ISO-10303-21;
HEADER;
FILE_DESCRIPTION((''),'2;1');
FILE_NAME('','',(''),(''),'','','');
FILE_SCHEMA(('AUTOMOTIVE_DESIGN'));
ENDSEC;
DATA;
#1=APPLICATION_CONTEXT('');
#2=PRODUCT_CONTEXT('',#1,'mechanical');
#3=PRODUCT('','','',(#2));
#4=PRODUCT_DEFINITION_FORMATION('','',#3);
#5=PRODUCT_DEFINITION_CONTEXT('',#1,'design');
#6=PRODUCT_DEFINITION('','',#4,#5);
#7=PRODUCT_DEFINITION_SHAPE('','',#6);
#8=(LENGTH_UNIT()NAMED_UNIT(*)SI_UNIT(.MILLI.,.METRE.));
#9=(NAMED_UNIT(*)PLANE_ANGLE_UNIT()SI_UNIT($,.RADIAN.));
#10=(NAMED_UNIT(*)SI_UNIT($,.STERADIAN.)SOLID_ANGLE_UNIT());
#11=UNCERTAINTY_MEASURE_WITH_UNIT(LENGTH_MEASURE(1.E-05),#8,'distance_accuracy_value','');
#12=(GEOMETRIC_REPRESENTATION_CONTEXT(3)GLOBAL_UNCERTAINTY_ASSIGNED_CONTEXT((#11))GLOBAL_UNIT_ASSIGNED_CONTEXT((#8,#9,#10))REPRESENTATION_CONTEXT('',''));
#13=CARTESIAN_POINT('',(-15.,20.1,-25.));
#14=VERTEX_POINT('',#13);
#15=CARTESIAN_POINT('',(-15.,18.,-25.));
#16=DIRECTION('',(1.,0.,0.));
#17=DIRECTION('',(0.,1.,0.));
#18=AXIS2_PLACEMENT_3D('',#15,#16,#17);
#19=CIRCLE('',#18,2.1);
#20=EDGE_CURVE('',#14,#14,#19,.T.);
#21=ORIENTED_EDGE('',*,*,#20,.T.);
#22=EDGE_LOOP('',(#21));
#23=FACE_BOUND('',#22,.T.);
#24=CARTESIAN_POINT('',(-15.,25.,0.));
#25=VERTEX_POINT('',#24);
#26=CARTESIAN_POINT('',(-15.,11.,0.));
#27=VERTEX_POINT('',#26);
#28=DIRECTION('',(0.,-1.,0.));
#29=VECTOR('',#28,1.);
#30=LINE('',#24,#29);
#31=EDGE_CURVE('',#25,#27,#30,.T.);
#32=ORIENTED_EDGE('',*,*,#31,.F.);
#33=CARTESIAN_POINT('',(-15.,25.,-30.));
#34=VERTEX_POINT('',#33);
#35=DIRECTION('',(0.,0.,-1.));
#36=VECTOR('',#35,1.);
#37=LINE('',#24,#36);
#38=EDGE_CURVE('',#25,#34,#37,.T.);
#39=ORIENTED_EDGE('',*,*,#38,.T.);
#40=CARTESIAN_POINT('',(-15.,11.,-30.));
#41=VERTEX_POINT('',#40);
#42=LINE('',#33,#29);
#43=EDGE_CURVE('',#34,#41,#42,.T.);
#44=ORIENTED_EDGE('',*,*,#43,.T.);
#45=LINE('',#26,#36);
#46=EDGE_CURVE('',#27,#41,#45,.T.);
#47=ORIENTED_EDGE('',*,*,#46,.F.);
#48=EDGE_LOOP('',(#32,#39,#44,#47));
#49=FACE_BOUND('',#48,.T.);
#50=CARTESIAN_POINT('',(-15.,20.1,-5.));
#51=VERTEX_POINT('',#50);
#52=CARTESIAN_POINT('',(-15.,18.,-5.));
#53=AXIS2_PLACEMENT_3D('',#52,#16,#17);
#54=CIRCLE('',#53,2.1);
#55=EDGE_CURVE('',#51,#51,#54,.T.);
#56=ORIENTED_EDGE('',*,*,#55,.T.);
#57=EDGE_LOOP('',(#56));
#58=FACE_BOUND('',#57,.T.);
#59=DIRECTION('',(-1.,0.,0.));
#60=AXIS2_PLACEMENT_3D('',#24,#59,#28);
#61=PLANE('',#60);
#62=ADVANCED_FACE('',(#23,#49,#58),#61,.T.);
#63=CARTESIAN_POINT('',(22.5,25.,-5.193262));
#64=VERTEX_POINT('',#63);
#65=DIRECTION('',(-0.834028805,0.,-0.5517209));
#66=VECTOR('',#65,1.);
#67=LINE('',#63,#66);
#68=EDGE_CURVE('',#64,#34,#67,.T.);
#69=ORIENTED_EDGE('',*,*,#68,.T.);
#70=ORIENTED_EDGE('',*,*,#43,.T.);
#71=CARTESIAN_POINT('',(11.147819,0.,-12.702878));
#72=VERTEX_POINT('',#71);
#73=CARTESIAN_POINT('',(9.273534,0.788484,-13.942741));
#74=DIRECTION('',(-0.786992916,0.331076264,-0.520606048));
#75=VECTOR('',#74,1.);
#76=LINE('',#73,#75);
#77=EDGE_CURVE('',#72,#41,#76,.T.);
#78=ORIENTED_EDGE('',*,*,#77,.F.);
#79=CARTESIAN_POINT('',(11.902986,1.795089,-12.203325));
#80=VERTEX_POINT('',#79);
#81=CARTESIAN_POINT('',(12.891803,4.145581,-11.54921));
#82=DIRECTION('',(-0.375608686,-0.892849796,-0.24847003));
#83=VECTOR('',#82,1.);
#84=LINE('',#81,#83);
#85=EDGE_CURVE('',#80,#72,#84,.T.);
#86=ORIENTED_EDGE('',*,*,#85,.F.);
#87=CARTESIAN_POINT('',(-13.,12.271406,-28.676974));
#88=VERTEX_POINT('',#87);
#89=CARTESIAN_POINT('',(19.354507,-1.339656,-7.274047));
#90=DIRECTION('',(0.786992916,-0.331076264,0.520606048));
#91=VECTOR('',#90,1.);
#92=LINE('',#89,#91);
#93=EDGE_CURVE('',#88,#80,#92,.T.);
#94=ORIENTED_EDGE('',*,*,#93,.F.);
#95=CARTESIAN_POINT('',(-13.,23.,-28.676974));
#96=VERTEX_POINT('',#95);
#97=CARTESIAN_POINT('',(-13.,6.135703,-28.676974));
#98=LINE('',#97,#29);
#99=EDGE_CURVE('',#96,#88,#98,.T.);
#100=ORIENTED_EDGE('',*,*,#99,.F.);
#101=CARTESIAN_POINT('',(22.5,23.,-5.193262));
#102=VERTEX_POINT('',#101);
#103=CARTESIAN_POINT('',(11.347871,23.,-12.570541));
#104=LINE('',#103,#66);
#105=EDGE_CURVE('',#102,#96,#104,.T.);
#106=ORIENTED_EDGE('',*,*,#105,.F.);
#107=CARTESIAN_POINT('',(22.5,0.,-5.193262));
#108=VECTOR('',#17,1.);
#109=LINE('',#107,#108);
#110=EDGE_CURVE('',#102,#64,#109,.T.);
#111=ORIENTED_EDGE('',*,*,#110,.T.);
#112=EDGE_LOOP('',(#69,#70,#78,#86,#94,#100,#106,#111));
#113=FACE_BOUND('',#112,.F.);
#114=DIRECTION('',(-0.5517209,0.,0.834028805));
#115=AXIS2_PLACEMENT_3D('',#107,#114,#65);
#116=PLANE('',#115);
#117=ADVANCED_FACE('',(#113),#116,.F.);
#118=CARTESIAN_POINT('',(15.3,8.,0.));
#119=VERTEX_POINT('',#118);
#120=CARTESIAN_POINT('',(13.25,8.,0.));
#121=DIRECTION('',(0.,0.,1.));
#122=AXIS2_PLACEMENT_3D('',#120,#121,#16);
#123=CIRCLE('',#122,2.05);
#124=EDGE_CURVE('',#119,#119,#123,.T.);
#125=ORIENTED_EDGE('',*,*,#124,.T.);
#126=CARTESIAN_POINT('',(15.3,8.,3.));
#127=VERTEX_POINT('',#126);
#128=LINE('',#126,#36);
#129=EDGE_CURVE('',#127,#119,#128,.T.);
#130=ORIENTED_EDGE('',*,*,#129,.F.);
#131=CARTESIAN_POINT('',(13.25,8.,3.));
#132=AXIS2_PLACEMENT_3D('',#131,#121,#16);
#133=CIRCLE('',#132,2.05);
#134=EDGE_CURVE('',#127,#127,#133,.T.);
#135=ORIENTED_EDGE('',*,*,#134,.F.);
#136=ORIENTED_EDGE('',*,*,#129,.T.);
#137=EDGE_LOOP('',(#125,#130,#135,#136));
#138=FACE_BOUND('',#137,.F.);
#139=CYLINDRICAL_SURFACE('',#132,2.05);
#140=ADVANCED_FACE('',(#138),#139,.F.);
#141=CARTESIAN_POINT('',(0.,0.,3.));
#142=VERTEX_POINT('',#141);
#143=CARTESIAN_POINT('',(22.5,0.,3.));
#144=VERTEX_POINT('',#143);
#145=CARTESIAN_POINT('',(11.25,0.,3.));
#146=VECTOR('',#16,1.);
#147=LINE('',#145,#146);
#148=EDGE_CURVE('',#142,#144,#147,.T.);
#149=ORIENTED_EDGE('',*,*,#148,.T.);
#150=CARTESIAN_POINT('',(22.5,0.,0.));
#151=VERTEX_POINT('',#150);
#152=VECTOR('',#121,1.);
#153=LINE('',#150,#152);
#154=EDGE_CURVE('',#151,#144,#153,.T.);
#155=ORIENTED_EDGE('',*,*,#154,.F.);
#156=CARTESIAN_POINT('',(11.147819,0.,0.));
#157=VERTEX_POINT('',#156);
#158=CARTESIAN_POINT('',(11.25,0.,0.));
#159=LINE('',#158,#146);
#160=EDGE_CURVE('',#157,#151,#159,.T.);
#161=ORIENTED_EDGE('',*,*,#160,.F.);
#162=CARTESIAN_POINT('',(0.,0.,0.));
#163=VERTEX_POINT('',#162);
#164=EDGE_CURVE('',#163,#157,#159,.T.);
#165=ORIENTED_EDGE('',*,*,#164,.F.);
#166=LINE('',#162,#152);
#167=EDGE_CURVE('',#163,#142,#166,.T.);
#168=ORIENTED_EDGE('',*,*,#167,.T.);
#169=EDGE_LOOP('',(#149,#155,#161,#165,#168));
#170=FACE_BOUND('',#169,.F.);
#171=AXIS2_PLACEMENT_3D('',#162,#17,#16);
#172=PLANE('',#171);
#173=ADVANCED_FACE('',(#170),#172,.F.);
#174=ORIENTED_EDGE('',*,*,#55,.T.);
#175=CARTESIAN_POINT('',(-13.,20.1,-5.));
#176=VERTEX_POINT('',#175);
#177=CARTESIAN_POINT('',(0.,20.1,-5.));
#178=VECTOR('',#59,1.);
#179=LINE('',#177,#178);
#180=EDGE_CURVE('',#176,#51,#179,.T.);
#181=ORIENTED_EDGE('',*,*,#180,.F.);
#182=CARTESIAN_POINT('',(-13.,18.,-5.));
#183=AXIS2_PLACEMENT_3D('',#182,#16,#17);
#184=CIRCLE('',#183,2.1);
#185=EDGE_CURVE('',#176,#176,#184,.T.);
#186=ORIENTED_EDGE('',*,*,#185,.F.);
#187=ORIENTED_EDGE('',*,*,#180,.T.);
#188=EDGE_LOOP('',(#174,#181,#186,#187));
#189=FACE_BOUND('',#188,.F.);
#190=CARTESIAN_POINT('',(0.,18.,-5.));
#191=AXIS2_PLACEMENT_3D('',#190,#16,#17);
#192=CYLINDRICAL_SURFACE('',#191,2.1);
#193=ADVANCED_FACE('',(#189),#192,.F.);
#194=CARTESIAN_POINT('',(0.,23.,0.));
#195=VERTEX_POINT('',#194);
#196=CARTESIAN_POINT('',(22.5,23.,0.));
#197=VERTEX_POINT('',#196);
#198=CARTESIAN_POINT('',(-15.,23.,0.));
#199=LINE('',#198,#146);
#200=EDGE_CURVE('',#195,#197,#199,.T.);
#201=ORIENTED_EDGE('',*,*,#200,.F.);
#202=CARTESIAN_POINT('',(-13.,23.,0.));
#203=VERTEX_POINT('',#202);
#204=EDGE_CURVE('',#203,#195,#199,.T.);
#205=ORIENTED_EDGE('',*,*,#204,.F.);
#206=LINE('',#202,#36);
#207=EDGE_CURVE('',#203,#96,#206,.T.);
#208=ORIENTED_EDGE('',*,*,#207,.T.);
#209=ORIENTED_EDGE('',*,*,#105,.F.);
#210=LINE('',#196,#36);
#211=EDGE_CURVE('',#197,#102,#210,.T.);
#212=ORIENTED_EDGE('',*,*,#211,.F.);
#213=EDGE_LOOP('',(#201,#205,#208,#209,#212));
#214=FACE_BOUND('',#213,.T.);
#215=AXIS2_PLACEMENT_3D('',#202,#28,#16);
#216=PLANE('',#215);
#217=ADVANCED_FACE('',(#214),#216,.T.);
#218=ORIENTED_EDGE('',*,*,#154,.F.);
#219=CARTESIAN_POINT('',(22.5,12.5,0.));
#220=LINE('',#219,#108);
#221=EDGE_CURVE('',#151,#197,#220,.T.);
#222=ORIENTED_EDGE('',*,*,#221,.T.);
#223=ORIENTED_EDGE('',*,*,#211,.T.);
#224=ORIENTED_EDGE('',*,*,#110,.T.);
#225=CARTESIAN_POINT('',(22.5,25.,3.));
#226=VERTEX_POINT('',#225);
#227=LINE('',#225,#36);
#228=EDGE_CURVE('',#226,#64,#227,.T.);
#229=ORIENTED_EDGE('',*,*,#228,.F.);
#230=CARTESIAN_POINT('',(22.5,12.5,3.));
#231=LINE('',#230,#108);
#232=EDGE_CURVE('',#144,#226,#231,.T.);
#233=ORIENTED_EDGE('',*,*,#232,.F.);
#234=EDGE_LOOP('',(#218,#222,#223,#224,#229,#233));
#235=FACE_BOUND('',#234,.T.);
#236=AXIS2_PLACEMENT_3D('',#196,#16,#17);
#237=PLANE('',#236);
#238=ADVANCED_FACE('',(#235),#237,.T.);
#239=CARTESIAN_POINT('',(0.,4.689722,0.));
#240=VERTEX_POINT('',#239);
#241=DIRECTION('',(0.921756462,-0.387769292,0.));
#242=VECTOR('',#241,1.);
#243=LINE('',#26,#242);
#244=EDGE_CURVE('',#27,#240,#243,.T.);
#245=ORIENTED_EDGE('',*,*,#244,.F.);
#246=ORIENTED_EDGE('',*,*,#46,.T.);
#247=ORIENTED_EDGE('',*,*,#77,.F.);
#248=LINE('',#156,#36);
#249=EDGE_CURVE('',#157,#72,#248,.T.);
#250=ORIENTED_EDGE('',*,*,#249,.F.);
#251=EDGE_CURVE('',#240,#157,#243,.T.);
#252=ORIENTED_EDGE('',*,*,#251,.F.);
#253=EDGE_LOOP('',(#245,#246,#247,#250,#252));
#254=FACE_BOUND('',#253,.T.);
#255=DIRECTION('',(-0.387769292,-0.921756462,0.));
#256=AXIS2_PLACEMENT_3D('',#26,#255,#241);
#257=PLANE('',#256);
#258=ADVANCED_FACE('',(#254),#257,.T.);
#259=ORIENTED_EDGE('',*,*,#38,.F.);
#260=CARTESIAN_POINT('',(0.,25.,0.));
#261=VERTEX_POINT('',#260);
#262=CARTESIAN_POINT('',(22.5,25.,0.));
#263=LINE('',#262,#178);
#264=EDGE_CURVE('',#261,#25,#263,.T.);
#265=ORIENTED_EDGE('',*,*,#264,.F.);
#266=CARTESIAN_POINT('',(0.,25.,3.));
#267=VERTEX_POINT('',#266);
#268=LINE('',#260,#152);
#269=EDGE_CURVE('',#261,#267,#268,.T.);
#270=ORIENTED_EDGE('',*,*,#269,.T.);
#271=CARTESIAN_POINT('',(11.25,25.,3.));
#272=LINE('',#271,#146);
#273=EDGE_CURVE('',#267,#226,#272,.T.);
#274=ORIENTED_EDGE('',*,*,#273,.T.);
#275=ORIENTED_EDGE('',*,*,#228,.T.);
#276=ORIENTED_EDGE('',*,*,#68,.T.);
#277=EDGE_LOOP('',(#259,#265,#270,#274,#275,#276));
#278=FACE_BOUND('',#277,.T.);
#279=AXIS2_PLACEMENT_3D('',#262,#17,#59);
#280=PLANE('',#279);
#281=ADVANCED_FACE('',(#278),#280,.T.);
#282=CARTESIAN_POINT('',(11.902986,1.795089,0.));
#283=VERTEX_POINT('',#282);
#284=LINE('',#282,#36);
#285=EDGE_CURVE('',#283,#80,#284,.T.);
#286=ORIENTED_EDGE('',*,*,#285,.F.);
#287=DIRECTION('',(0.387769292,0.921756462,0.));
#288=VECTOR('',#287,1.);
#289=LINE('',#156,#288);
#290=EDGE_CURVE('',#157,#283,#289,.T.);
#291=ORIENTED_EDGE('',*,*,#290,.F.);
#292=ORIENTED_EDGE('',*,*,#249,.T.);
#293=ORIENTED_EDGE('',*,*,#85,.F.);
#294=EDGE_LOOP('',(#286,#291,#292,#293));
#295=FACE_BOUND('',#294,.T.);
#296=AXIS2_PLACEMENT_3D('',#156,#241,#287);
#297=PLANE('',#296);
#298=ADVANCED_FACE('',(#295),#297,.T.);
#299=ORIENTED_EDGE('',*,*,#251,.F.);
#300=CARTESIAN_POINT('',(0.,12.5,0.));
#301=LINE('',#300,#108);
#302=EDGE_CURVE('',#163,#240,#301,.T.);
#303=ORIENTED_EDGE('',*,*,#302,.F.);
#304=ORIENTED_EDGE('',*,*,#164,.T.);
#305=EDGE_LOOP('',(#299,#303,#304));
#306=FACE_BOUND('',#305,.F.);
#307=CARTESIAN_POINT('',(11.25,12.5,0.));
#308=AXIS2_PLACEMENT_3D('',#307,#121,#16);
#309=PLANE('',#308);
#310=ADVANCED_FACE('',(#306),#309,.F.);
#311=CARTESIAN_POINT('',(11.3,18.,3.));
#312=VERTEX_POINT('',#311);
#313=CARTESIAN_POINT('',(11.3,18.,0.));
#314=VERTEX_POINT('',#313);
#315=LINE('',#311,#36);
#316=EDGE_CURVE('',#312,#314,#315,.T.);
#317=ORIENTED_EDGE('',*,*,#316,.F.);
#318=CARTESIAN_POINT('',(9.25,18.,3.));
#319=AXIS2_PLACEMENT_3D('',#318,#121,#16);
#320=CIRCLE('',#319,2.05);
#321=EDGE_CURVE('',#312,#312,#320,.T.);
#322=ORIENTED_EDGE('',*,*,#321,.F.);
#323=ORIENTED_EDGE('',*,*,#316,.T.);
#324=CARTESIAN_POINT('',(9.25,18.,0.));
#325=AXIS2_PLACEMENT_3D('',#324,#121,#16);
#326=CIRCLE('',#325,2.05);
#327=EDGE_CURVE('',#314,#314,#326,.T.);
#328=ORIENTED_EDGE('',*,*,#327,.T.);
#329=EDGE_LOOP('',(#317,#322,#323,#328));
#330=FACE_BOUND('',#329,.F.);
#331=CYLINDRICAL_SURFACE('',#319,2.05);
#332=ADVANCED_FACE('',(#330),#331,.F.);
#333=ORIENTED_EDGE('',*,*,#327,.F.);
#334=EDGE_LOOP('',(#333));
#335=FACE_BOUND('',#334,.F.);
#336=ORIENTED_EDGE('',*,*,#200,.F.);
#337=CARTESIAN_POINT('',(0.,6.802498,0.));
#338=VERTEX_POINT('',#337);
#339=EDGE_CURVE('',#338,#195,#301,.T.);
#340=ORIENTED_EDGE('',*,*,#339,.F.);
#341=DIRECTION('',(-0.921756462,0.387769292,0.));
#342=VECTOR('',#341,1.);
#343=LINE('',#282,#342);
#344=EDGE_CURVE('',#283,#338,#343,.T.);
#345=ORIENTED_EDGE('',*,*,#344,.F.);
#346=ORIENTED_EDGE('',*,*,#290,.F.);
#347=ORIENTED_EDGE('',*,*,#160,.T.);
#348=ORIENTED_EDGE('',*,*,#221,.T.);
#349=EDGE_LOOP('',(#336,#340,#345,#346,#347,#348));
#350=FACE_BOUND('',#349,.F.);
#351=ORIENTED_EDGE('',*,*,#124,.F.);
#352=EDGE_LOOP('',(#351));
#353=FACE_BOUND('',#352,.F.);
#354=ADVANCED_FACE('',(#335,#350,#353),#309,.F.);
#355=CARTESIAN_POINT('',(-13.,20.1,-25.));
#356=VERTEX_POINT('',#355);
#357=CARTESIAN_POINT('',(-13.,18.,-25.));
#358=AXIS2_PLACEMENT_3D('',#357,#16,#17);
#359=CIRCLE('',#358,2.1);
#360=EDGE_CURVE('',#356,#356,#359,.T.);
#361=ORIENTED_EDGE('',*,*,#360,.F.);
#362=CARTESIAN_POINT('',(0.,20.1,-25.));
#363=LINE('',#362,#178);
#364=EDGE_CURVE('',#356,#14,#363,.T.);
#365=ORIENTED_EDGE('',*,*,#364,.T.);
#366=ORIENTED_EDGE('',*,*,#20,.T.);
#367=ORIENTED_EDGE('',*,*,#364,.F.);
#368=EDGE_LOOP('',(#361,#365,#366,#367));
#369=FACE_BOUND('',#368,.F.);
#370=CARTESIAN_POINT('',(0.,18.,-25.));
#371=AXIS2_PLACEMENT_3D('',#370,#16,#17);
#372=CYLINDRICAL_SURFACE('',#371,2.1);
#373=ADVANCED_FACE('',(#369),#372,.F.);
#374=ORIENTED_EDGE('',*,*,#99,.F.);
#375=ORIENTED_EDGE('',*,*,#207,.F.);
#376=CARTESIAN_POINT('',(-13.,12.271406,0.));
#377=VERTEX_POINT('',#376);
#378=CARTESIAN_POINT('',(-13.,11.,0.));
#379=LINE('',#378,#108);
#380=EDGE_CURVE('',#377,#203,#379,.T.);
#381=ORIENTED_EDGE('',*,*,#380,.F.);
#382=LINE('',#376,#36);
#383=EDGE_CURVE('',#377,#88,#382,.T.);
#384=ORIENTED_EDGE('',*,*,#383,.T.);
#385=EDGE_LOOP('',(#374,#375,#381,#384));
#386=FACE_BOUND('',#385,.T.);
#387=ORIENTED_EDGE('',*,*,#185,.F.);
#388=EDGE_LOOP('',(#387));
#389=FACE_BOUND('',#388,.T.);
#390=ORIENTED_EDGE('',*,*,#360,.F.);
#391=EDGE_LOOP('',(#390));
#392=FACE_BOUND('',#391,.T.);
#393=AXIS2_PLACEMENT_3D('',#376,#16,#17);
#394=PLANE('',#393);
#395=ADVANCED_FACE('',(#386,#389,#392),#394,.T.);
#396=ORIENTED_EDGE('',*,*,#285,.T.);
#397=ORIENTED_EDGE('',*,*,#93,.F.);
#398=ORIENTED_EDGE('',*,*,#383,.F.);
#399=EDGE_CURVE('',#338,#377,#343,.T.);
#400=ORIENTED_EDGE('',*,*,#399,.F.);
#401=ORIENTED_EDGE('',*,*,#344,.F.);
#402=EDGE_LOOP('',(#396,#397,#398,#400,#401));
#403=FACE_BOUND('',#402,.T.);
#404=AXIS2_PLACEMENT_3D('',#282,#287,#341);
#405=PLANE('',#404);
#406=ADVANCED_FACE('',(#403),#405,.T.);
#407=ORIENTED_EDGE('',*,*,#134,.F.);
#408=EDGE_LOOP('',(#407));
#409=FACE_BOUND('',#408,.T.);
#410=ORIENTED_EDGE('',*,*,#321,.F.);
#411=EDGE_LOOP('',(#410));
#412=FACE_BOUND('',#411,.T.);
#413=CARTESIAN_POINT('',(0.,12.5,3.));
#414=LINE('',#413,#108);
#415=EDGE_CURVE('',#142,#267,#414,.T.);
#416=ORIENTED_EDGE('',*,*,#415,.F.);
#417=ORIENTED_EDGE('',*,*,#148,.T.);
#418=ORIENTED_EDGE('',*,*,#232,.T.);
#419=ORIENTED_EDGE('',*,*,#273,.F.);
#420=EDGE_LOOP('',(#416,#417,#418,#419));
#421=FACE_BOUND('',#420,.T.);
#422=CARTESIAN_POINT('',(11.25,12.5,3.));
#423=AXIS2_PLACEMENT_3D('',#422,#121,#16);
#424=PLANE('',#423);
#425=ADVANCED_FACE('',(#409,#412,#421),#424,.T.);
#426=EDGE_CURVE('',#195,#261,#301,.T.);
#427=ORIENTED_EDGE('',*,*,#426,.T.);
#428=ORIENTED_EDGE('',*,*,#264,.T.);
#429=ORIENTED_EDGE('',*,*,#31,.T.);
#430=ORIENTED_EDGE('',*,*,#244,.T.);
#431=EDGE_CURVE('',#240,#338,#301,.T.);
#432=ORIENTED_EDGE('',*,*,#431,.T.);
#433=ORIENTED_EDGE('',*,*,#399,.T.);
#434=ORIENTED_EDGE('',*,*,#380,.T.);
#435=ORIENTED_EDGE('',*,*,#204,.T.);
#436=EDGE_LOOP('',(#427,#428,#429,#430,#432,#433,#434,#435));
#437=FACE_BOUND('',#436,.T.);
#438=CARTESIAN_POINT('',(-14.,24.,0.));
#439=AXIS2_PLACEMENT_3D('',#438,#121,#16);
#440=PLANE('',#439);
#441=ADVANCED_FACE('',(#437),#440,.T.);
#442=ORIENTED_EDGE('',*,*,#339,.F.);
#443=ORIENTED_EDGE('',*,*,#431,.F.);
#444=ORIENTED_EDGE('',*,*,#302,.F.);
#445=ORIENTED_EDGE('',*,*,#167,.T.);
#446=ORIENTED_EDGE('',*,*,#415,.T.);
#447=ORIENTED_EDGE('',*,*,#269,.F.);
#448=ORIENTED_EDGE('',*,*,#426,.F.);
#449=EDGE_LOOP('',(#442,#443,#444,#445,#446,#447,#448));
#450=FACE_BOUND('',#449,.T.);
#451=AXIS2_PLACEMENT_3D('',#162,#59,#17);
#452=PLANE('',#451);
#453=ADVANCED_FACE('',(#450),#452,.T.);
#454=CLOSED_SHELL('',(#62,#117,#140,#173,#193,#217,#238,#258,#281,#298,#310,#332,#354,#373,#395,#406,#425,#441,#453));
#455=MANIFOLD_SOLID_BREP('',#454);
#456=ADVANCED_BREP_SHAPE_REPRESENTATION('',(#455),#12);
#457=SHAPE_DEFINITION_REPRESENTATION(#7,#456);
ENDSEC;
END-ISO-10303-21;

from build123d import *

# Parameters (mm, degrees)
F0_W     = 22.5
F0_H     = 25
F1_DEPTH = 3
F2_R     = 2.05
F3_DEPTH = 25
F4_W     = 2
F4_H     = 2
F4_W_2   = 35.5
F5_DEPTH = 30
F7_DEPTH = 25
F8_R     = 2.1
F9_DEPTH = 25


with BuildPart() as f1:
    # F0 (on Top) → F1 (new body)
    with BuildSketch(Plane.XY):
        with Locations((11.25, 12.5)):
            Rectangle(F0_W, F0_H)
    extrude(amount=F1_DEPTH)

    # F2 (on face) → F3 (cut)
    with BuildSketch(Plane.XY.offset(3)):
        with Locations((9.25, 18)):
            Circle(F2_R)
        with Locations((13.25, 8)):
            Circle(F2_R)
    extrude(amount=-F3_DEPTH, mode=Mode.SUBTRACT)

    # F4 (on Top) → F5 (join)
    with BuildSketch(Plane.XY):
        with Locations((-14, 24)):
            Rectangle(F4_W, F4_H)
        with Locations((4.75, 24)):
            Rectangle(F4_W_2, F4_H)
        Polygon((-13, 23), (-15, 23), (-15, 11), (-14.244832817, 12.7950885872), (-13, 12.2714058573), align=None)
        Polygon((-14.244832817, 12.7950885872), (-15, 11), (-13, 11), (-13, 12.2714058573), align=None)
        Polygon((-13, 11), (-15, 11), (11.1478185281, 0), (11.9029857111, 1.7950885872), (-13, 12.2714058573), align=None)
    extrude(amount=-F5_DEPTH)

    # F6 (on Front) → F7 (cut)
    with BuildSketch(Plane.XZ):
        Polygon((22.5, -30), (22.5, -5.1932623562), (-15, -30), align=None)
    extrude(amount=-F7_DEPTH, mode=Mode.SUBTRACT)

    # F8 (on Right) → F9 (cut)
    with BuildSketch(Plane.YZ):
        with Locations((18, -5)):
            Circle(F8_R)
        with Locations((18, -25)):
            Circle(F8_R)
    extrude(amount=-F9_DEPTH, mode=Mode.SUBTRACT)


solid = f1.part
